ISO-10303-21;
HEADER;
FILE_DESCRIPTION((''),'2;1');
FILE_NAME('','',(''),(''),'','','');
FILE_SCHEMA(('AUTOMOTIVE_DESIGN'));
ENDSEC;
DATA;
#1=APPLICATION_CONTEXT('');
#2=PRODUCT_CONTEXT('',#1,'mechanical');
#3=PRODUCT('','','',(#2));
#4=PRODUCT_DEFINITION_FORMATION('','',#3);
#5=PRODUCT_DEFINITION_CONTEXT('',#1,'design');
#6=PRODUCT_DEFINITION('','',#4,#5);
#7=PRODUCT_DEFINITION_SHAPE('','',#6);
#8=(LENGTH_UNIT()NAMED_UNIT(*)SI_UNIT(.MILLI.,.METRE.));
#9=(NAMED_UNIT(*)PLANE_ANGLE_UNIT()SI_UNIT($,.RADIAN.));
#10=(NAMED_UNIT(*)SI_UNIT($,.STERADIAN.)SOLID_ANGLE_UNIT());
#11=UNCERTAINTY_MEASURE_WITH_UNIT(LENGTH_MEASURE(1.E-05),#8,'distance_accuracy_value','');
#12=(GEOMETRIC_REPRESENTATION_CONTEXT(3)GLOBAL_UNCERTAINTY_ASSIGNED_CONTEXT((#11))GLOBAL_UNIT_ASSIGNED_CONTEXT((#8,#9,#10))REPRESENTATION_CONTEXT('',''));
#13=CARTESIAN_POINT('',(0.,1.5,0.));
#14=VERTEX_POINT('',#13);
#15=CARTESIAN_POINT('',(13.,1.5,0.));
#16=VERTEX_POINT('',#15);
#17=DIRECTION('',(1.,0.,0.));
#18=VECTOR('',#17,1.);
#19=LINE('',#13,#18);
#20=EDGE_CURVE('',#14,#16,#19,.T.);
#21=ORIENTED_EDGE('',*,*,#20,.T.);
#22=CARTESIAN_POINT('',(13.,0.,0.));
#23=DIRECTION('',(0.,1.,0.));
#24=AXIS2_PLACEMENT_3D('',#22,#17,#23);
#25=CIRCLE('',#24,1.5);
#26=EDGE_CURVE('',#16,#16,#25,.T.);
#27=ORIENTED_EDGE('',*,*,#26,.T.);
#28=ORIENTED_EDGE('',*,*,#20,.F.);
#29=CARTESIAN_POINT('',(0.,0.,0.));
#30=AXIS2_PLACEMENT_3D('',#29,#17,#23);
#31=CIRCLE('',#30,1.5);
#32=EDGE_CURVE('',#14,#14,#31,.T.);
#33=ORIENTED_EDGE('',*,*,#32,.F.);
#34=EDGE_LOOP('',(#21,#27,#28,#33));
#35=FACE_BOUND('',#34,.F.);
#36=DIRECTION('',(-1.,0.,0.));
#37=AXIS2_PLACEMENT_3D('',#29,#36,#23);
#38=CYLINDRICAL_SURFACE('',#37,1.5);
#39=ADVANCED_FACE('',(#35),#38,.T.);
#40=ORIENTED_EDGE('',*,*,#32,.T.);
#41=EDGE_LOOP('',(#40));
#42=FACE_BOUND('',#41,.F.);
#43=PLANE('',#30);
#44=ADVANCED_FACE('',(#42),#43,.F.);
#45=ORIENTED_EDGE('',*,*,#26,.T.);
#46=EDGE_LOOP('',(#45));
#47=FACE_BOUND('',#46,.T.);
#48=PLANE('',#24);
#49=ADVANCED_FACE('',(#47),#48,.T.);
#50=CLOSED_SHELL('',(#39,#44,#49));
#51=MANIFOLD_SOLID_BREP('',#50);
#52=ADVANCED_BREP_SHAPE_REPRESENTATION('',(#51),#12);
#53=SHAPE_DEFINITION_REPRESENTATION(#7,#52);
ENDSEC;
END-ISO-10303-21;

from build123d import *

# Parameters (mm, degrees)
SKETCH_R  = 1.5
PAD_DEPTH = 13


with BuildPart() as part:
    # Sketch → Pad (new body)
    with BuildSketch(Plane.YZ):
        Circle(SKETCH_R)
    extrude(amount=PAD_DEPTH)


solid = part.part
